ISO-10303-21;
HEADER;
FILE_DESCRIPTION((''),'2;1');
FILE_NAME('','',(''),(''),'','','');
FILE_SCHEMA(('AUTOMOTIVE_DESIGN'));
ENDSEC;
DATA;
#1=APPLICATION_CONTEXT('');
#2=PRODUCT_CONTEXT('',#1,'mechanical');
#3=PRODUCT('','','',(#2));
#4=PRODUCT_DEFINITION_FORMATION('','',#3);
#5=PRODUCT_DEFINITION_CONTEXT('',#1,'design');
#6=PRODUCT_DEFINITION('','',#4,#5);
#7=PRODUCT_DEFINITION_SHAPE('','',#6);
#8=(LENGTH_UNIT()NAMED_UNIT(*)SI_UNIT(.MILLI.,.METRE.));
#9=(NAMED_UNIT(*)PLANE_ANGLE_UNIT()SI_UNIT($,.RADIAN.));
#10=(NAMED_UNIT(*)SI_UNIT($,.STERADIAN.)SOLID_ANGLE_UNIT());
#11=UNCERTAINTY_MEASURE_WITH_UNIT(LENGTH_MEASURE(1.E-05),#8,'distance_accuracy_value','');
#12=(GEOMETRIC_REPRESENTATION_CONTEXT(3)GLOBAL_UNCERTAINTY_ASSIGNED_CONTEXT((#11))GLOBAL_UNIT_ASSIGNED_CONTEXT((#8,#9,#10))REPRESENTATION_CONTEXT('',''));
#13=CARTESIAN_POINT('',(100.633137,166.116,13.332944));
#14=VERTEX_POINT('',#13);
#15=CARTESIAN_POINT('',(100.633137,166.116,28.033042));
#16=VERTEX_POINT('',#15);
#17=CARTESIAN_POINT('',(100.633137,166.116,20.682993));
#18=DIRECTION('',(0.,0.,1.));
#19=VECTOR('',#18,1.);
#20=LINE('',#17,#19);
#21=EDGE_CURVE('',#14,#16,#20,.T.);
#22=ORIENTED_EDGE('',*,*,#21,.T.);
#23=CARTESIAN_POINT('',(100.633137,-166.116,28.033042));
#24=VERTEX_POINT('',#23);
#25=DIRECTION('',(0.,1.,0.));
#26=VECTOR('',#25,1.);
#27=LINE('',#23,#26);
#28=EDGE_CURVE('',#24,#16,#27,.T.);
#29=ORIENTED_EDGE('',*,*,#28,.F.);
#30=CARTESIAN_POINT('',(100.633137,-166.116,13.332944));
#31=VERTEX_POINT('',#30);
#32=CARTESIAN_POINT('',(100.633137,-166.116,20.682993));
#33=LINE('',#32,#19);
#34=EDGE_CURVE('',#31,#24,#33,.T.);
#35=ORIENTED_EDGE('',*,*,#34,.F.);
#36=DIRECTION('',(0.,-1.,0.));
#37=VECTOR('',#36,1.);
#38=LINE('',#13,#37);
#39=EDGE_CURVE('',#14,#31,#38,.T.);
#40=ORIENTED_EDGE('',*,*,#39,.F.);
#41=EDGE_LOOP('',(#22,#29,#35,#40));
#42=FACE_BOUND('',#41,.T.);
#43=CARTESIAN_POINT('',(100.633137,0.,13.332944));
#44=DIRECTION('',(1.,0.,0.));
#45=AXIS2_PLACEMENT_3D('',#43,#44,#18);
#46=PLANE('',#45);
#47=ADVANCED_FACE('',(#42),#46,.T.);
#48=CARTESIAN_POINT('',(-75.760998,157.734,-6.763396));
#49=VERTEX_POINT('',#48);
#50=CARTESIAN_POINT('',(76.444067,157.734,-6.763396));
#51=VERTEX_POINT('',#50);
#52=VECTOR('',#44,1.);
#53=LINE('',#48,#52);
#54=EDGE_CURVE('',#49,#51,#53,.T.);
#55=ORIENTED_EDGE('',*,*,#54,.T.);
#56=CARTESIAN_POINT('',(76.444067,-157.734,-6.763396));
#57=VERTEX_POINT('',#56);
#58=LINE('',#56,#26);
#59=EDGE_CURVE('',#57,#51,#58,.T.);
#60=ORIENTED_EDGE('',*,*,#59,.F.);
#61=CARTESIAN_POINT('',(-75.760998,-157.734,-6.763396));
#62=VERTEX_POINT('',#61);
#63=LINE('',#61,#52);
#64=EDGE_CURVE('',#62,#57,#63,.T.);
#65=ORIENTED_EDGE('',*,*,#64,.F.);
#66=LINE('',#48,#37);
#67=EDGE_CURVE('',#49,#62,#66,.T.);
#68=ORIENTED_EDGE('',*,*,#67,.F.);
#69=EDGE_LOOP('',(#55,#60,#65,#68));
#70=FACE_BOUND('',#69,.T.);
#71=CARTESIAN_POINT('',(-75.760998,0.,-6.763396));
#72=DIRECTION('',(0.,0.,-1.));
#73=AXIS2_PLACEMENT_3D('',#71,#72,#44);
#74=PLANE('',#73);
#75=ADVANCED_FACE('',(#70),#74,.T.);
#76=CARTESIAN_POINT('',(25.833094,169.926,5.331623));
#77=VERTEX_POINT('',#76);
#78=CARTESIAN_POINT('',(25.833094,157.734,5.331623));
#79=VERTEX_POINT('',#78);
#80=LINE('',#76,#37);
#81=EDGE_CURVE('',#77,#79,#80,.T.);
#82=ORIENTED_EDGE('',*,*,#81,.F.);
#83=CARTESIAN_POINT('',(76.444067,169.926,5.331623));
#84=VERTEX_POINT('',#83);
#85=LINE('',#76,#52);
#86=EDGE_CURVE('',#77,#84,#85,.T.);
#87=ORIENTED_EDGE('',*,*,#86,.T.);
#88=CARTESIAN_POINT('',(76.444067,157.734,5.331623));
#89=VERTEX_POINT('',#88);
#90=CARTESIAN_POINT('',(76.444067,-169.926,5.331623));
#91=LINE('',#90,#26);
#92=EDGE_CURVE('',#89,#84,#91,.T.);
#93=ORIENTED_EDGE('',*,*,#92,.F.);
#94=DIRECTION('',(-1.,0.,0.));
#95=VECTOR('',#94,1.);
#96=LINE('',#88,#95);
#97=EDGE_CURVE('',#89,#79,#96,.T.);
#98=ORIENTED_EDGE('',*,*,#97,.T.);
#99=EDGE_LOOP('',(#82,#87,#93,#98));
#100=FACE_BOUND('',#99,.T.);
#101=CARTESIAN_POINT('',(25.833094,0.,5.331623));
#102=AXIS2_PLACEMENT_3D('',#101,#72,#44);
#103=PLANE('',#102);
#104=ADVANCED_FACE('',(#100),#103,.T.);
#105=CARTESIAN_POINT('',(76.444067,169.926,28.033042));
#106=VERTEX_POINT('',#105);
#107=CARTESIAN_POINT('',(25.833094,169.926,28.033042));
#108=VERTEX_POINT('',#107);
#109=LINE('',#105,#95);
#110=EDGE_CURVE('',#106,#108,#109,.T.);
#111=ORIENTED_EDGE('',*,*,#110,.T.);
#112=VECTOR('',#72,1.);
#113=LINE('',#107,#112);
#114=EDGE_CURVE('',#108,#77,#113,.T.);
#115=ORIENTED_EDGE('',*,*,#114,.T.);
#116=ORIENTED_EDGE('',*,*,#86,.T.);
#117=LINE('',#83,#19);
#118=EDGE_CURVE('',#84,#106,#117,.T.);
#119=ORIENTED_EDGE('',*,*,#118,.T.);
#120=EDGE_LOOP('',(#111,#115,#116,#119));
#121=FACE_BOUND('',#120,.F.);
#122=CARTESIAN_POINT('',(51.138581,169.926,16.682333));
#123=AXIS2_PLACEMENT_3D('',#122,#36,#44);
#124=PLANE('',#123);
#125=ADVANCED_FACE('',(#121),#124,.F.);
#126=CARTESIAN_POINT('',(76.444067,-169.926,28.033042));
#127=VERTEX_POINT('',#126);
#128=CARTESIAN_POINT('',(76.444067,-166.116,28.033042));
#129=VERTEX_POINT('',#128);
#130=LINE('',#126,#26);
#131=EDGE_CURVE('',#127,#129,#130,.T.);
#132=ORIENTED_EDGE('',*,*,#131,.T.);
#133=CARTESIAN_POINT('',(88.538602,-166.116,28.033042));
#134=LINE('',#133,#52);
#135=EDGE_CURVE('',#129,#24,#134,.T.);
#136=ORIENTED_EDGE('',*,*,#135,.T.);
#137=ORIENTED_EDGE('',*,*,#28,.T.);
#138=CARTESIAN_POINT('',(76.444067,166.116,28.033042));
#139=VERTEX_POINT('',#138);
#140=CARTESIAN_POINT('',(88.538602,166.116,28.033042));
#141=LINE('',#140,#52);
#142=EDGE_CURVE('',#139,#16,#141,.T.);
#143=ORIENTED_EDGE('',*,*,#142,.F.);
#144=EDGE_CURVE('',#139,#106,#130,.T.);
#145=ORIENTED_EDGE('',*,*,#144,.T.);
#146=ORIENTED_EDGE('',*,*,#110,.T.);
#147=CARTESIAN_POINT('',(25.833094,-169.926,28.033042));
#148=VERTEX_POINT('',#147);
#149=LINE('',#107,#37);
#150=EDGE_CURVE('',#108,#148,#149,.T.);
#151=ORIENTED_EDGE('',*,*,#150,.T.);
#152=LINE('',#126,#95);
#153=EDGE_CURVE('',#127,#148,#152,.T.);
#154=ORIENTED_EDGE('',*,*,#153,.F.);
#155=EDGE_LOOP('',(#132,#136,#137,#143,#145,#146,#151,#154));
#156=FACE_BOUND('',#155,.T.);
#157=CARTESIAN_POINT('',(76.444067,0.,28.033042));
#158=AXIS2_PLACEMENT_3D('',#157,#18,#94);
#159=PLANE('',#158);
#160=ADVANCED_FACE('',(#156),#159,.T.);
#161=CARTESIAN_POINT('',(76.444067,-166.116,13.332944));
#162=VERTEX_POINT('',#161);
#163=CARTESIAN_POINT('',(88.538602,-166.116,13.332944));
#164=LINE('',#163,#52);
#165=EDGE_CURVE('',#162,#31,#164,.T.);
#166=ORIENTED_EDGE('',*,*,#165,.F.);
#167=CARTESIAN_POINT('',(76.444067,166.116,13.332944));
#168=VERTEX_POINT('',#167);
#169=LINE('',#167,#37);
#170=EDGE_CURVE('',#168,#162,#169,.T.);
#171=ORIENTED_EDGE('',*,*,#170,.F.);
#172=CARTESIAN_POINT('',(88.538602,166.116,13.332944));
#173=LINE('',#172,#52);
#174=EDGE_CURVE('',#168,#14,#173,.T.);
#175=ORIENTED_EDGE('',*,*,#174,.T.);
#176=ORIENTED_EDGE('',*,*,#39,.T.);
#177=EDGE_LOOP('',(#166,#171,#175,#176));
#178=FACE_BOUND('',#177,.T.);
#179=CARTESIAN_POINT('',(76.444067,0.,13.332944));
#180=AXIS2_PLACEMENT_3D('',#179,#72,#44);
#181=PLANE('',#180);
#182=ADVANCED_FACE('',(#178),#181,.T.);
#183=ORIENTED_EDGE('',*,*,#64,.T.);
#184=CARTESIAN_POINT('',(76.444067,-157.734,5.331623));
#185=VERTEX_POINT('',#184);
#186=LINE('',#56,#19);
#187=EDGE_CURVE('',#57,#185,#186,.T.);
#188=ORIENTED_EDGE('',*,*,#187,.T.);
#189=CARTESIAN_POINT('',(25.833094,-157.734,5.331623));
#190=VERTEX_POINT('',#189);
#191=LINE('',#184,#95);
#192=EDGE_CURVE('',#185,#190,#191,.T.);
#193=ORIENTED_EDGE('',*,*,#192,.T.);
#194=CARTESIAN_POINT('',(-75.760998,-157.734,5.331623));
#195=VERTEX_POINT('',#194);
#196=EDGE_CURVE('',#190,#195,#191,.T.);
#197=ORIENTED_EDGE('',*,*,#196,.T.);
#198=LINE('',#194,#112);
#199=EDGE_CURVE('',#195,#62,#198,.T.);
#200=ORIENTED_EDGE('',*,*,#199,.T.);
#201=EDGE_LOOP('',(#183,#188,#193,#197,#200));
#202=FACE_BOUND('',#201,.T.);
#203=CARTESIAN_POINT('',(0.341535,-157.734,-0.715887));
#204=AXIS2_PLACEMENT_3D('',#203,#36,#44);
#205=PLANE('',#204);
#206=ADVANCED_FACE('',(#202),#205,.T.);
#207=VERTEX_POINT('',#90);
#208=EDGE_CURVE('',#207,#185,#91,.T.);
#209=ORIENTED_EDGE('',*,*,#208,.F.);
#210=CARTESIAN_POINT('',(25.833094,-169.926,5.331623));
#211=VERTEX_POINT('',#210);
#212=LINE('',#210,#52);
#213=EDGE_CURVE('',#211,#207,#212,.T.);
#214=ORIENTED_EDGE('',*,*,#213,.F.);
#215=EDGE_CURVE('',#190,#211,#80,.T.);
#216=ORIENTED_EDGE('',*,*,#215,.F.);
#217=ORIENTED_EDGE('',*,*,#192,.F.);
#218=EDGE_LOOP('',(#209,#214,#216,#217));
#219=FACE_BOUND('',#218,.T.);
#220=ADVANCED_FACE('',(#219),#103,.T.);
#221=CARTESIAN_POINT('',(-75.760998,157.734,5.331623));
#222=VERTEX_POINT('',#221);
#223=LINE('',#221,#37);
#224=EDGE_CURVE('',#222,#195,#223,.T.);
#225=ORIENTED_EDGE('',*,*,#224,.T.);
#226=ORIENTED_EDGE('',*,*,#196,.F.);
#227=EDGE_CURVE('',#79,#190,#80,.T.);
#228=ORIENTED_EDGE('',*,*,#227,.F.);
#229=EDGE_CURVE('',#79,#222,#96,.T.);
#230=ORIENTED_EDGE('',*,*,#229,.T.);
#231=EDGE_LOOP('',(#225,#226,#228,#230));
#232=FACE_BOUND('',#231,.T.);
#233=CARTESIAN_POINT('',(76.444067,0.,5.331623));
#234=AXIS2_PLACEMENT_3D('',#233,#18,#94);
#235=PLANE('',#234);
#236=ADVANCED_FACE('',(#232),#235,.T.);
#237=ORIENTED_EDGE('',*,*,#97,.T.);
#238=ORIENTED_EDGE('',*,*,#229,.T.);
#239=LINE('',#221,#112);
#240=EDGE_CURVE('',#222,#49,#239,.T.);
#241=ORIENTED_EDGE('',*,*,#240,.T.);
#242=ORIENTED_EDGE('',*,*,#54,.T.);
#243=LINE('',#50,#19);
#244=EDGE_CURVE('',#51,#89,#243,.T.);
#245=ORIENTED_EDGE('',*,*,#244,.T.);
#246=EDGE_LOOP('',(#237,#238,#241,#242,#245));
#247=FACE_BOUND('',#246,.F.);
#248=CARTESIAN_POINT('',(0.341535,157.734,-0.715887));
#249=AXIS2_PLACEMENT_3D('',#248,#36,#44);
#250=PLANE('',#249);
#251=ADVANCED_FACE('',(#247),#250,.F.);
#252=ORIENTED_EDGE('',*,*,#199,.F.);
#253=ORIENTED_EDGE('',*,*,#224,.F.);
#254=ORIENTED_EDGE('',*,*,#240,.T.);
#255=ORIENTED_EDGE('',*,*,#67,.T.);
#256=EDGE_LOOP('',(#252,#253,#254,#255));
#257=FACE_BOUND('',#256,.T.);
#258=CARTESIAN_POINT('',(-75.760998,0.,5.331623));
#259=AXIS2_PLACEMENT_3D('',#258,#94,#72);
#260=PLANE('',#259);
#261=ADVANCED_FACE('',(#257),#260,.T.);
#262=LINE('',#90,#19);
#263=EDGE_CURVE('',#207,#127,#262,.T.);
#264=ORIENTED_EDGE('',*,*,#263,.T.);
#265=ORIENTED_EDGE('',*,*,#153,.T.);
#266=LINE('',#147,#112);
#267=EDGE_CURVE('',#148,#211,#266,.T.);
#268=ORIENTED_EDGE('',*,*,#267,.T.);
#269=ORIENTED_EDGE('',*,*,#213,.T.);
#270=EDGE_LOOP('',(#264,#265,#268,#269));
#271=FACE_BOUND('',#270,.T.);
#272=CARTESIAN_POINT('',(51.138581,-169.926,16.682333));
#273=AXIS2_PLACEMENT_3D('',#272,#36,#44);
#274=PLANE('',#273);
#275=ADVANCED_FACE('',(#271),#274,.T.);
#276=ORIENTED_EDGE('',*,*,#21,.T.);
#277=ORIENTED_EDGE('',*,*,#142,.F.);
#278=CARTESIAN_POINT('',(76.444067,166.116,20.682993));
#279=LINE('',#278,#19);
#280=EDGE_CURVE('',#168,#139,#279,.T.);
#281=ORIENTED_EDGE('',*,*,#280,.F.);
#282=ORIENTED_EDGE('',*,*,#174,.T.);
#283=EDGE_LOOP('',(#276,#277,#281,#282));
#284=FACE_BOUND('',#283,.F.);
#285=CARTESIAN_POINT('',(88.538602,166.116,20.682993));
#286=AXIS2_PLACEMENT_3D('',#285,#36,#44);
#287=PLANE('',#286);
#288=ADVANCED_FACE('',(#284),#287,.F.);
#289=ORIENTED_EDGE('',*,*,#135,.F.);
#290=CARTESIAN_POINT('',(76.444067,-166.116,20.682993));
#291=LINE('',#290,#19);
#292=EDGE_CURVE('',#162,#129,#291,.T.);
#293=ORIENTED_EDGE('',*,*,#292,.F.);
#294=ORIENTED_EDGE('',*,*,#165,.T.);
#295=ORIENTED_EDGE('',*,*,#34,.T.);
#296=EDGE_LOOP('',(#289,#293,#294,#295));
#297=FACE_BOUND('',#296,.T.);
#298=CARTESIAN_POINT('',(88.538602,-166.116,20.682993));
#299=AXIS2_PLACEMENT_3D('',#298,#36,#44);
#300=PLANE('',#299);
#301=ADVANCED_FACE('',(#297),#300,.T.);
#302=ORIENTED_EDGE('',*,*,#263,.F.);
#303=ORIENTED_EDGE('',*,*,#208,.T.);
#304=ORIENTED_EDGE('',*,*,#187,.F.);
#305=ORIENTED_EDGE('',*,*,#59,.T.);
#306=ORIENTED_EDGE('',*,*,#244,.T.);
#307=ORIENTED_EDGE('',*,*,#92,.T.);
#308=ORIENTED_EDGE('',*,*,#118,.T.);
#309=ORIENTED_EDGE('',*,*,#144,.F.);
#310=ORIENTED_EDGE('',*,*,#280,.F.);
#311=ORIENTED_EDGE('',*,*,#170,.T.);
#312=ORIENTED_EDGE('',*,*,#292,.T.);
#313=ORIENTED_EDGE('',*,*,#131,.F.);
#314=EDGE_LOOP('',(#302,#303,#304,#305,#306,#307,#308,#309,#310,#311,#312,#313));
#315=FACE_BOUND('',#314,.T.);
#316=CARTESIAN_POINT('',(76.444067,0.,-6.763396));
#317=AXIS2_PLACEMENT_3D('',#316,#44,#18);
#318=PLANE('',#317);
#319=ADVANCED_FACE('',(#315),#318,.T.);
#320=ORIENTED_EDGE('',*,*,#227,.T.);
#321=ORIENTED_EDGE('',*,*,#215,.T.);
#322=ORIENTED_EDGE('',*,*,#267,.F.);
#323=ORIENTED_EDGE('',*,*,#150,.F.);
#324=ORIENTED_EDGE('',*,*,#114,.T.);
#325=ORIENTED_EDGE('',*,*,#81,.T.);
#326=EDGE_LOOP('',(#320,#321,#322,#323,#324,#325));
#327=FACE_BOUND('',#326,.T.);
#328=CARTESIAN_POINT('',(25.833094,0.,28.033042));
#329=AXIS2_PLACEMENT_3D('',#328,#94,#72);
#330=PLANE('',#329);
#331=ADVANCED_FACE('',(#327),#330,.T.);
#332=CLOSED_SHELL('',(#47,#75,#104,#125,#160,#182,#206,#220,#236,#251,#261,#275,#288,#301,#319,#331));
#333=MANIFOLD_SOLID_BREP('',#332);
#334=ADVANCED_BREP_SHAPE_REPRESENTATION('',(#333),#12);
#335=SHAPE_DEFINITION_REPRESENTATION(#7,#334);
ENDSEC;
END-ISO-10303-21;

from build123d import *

# Parameters (mm, degrees)
F1_DEPTH  = 42.926
F2_R      = 15.9122903495
F3_DEPTH  = 217.932
F7_DEPTH  = 169.926
F9_DEPTH  = 157.734
F10_W     = 24.1890698671
F10_H     = 14.7000979632
F11_DEPTH = 166.116


with BuildPart() as f1:
    # F0 (on Front) → F1 (new body)
    with BuildSketch(Plane.XZ):
        Polygon((-3.4105652012, 57.7952452004), (-72.7279856801, 57.7952452004), (-73.0966925621, 3.0418548267), (-3.4105652012, 3.0418548267), align=None)
    extrude(amount=F1_DEPTH)


with BuildPart() as f3:
    # F2 (on Front) → F3 (new body)
    with BuildSketch(Plane.XZ):
        with Locations((-37.1474996209, -45.6278249621)):
            Circle(F2_R)
    extrude(amount=F3_DEPTH)


with BuildPart() as f7:
    # F6 (on face) → F7 (new body, symmetric)
    with BuildSketch(Plane.XZ):
        Polygon((76.4440670609, 28.0330423266), (25.8330944926, 28.0330423266), (25.8330944926, 5.3316229023), (76.4440670609, 5.3316229023), (76.4440670609, 13.3329443634), align=None)
    extrude(amount=F7_DEPTH, both=True)

    # F8 (on face) → F9 (join, symmetric)
    with BuildSketch(Plane.XZ):
        Polygon((76.4440670609, 5.3316229023), (25.8330944926, 5.3316229023), (-75.7609978318, 5.3316229023), (-75.7609978318, -6.763396319), (76.4440670609, -6.763396319), align=None)
    extrude(amount=F9_DEPTH, both=True)

    # F10 (on face) → F11 (join, symmetric)
    with BuildSketch(Plane.XZ):
        with Locations((88.5386019945, 20.682993345)):
            Rectangle(F10_W, F10_H)
    extrude(amount=F11_DEPTH, both=True)


solid = f7.part
